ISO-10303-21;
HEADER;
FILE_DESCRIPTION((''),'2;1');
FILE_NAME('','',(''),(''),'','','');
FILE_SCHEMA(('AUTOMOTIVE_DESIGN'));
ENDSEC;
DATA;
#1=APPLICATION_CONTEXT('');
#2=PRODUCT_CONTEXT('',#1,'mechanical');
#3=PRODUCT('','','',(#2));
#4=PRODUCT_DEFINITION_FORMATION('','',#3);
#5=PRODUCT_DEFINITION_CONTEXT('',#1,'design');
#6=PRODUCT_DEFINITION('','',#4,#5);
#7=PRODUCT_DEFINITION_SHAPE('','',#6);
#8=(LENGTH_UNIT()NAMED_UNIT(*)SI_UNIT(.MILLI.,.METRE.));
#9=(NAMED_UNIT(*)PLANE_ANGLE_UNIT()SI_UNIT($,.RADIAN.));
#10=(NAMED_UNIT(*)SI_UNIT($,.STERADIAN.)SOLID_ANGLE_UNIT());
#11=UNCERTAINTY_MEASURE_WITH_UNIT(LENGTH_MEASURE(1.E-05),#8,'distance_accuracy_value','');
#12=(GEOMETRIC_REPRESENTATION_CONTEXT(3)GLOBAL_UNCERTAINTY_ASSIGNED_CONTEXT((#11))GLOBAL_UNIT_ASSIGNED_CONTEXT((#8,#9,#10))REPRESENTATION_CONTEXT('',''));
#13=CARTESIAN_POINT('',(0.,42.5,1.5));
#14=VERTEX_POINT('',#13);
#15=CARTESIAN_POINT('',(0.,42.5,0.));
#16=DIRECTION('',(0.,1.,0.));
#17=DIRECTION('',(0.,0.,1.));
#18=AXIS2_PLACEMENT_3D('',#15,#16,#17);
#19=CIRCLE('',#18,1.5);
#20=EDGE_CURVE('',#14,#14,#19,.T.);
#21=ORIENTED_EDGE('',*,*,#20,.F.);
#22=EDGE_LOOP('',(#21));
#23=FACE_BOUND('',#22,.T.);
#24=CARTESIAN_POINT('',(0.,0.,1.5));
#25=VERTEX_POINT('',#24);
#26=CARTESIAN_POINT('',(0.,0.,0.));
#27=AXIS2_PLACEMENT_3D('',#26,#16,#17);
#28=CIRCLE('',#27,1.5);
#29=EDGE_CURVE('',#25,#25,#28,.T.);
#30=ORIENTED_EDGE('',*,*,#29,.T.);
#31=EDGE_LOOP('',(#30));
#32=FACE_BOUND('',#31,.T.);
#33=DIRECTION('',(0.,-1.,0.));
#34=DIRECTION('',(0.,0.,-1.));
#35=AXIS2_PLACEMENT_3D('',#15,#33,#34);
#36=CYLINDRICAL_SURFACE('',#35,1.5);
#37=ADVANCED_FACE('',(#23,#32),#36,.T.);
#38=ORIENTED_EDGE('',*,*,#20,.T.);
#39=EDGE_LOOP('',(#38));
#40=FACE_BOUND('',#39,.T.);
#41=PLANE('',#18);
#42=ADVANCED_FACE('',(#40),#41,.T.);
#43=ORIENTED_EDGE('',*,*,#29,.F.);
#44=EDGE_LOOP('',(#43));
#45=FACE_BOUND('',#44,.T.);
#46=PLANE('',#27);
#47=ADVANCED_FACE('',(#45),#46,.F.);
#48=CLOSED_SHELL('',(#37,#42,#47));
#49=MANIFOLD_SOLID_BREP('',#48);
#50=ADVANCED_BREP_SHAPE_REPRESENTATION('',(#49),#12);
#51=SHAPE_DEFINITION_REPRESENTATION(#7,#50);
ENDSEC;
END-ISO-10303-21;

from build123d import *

# Parameters (mm, degrees)
SKETCH1_R           = 1.5
BOSS_EXTRUDE1_DEPTH = 42.5


with BuildPart() as part:
    # Sketch1 → Boss-Extrude1 (new body)
    with BuildSketch(Plane(origin=(0, 0, 0), x_dir=(1, 0, 0), z_dir=(0, 1, 0))):
        with Locations(Location((0, 0, 0), (0, 0, 270))):  # turned: the seam where the file's is
            Circle(SKETCH1_R)
    extrude(amount=BOSS_EXTRUDE1_DEPTH)


solid = part.part
